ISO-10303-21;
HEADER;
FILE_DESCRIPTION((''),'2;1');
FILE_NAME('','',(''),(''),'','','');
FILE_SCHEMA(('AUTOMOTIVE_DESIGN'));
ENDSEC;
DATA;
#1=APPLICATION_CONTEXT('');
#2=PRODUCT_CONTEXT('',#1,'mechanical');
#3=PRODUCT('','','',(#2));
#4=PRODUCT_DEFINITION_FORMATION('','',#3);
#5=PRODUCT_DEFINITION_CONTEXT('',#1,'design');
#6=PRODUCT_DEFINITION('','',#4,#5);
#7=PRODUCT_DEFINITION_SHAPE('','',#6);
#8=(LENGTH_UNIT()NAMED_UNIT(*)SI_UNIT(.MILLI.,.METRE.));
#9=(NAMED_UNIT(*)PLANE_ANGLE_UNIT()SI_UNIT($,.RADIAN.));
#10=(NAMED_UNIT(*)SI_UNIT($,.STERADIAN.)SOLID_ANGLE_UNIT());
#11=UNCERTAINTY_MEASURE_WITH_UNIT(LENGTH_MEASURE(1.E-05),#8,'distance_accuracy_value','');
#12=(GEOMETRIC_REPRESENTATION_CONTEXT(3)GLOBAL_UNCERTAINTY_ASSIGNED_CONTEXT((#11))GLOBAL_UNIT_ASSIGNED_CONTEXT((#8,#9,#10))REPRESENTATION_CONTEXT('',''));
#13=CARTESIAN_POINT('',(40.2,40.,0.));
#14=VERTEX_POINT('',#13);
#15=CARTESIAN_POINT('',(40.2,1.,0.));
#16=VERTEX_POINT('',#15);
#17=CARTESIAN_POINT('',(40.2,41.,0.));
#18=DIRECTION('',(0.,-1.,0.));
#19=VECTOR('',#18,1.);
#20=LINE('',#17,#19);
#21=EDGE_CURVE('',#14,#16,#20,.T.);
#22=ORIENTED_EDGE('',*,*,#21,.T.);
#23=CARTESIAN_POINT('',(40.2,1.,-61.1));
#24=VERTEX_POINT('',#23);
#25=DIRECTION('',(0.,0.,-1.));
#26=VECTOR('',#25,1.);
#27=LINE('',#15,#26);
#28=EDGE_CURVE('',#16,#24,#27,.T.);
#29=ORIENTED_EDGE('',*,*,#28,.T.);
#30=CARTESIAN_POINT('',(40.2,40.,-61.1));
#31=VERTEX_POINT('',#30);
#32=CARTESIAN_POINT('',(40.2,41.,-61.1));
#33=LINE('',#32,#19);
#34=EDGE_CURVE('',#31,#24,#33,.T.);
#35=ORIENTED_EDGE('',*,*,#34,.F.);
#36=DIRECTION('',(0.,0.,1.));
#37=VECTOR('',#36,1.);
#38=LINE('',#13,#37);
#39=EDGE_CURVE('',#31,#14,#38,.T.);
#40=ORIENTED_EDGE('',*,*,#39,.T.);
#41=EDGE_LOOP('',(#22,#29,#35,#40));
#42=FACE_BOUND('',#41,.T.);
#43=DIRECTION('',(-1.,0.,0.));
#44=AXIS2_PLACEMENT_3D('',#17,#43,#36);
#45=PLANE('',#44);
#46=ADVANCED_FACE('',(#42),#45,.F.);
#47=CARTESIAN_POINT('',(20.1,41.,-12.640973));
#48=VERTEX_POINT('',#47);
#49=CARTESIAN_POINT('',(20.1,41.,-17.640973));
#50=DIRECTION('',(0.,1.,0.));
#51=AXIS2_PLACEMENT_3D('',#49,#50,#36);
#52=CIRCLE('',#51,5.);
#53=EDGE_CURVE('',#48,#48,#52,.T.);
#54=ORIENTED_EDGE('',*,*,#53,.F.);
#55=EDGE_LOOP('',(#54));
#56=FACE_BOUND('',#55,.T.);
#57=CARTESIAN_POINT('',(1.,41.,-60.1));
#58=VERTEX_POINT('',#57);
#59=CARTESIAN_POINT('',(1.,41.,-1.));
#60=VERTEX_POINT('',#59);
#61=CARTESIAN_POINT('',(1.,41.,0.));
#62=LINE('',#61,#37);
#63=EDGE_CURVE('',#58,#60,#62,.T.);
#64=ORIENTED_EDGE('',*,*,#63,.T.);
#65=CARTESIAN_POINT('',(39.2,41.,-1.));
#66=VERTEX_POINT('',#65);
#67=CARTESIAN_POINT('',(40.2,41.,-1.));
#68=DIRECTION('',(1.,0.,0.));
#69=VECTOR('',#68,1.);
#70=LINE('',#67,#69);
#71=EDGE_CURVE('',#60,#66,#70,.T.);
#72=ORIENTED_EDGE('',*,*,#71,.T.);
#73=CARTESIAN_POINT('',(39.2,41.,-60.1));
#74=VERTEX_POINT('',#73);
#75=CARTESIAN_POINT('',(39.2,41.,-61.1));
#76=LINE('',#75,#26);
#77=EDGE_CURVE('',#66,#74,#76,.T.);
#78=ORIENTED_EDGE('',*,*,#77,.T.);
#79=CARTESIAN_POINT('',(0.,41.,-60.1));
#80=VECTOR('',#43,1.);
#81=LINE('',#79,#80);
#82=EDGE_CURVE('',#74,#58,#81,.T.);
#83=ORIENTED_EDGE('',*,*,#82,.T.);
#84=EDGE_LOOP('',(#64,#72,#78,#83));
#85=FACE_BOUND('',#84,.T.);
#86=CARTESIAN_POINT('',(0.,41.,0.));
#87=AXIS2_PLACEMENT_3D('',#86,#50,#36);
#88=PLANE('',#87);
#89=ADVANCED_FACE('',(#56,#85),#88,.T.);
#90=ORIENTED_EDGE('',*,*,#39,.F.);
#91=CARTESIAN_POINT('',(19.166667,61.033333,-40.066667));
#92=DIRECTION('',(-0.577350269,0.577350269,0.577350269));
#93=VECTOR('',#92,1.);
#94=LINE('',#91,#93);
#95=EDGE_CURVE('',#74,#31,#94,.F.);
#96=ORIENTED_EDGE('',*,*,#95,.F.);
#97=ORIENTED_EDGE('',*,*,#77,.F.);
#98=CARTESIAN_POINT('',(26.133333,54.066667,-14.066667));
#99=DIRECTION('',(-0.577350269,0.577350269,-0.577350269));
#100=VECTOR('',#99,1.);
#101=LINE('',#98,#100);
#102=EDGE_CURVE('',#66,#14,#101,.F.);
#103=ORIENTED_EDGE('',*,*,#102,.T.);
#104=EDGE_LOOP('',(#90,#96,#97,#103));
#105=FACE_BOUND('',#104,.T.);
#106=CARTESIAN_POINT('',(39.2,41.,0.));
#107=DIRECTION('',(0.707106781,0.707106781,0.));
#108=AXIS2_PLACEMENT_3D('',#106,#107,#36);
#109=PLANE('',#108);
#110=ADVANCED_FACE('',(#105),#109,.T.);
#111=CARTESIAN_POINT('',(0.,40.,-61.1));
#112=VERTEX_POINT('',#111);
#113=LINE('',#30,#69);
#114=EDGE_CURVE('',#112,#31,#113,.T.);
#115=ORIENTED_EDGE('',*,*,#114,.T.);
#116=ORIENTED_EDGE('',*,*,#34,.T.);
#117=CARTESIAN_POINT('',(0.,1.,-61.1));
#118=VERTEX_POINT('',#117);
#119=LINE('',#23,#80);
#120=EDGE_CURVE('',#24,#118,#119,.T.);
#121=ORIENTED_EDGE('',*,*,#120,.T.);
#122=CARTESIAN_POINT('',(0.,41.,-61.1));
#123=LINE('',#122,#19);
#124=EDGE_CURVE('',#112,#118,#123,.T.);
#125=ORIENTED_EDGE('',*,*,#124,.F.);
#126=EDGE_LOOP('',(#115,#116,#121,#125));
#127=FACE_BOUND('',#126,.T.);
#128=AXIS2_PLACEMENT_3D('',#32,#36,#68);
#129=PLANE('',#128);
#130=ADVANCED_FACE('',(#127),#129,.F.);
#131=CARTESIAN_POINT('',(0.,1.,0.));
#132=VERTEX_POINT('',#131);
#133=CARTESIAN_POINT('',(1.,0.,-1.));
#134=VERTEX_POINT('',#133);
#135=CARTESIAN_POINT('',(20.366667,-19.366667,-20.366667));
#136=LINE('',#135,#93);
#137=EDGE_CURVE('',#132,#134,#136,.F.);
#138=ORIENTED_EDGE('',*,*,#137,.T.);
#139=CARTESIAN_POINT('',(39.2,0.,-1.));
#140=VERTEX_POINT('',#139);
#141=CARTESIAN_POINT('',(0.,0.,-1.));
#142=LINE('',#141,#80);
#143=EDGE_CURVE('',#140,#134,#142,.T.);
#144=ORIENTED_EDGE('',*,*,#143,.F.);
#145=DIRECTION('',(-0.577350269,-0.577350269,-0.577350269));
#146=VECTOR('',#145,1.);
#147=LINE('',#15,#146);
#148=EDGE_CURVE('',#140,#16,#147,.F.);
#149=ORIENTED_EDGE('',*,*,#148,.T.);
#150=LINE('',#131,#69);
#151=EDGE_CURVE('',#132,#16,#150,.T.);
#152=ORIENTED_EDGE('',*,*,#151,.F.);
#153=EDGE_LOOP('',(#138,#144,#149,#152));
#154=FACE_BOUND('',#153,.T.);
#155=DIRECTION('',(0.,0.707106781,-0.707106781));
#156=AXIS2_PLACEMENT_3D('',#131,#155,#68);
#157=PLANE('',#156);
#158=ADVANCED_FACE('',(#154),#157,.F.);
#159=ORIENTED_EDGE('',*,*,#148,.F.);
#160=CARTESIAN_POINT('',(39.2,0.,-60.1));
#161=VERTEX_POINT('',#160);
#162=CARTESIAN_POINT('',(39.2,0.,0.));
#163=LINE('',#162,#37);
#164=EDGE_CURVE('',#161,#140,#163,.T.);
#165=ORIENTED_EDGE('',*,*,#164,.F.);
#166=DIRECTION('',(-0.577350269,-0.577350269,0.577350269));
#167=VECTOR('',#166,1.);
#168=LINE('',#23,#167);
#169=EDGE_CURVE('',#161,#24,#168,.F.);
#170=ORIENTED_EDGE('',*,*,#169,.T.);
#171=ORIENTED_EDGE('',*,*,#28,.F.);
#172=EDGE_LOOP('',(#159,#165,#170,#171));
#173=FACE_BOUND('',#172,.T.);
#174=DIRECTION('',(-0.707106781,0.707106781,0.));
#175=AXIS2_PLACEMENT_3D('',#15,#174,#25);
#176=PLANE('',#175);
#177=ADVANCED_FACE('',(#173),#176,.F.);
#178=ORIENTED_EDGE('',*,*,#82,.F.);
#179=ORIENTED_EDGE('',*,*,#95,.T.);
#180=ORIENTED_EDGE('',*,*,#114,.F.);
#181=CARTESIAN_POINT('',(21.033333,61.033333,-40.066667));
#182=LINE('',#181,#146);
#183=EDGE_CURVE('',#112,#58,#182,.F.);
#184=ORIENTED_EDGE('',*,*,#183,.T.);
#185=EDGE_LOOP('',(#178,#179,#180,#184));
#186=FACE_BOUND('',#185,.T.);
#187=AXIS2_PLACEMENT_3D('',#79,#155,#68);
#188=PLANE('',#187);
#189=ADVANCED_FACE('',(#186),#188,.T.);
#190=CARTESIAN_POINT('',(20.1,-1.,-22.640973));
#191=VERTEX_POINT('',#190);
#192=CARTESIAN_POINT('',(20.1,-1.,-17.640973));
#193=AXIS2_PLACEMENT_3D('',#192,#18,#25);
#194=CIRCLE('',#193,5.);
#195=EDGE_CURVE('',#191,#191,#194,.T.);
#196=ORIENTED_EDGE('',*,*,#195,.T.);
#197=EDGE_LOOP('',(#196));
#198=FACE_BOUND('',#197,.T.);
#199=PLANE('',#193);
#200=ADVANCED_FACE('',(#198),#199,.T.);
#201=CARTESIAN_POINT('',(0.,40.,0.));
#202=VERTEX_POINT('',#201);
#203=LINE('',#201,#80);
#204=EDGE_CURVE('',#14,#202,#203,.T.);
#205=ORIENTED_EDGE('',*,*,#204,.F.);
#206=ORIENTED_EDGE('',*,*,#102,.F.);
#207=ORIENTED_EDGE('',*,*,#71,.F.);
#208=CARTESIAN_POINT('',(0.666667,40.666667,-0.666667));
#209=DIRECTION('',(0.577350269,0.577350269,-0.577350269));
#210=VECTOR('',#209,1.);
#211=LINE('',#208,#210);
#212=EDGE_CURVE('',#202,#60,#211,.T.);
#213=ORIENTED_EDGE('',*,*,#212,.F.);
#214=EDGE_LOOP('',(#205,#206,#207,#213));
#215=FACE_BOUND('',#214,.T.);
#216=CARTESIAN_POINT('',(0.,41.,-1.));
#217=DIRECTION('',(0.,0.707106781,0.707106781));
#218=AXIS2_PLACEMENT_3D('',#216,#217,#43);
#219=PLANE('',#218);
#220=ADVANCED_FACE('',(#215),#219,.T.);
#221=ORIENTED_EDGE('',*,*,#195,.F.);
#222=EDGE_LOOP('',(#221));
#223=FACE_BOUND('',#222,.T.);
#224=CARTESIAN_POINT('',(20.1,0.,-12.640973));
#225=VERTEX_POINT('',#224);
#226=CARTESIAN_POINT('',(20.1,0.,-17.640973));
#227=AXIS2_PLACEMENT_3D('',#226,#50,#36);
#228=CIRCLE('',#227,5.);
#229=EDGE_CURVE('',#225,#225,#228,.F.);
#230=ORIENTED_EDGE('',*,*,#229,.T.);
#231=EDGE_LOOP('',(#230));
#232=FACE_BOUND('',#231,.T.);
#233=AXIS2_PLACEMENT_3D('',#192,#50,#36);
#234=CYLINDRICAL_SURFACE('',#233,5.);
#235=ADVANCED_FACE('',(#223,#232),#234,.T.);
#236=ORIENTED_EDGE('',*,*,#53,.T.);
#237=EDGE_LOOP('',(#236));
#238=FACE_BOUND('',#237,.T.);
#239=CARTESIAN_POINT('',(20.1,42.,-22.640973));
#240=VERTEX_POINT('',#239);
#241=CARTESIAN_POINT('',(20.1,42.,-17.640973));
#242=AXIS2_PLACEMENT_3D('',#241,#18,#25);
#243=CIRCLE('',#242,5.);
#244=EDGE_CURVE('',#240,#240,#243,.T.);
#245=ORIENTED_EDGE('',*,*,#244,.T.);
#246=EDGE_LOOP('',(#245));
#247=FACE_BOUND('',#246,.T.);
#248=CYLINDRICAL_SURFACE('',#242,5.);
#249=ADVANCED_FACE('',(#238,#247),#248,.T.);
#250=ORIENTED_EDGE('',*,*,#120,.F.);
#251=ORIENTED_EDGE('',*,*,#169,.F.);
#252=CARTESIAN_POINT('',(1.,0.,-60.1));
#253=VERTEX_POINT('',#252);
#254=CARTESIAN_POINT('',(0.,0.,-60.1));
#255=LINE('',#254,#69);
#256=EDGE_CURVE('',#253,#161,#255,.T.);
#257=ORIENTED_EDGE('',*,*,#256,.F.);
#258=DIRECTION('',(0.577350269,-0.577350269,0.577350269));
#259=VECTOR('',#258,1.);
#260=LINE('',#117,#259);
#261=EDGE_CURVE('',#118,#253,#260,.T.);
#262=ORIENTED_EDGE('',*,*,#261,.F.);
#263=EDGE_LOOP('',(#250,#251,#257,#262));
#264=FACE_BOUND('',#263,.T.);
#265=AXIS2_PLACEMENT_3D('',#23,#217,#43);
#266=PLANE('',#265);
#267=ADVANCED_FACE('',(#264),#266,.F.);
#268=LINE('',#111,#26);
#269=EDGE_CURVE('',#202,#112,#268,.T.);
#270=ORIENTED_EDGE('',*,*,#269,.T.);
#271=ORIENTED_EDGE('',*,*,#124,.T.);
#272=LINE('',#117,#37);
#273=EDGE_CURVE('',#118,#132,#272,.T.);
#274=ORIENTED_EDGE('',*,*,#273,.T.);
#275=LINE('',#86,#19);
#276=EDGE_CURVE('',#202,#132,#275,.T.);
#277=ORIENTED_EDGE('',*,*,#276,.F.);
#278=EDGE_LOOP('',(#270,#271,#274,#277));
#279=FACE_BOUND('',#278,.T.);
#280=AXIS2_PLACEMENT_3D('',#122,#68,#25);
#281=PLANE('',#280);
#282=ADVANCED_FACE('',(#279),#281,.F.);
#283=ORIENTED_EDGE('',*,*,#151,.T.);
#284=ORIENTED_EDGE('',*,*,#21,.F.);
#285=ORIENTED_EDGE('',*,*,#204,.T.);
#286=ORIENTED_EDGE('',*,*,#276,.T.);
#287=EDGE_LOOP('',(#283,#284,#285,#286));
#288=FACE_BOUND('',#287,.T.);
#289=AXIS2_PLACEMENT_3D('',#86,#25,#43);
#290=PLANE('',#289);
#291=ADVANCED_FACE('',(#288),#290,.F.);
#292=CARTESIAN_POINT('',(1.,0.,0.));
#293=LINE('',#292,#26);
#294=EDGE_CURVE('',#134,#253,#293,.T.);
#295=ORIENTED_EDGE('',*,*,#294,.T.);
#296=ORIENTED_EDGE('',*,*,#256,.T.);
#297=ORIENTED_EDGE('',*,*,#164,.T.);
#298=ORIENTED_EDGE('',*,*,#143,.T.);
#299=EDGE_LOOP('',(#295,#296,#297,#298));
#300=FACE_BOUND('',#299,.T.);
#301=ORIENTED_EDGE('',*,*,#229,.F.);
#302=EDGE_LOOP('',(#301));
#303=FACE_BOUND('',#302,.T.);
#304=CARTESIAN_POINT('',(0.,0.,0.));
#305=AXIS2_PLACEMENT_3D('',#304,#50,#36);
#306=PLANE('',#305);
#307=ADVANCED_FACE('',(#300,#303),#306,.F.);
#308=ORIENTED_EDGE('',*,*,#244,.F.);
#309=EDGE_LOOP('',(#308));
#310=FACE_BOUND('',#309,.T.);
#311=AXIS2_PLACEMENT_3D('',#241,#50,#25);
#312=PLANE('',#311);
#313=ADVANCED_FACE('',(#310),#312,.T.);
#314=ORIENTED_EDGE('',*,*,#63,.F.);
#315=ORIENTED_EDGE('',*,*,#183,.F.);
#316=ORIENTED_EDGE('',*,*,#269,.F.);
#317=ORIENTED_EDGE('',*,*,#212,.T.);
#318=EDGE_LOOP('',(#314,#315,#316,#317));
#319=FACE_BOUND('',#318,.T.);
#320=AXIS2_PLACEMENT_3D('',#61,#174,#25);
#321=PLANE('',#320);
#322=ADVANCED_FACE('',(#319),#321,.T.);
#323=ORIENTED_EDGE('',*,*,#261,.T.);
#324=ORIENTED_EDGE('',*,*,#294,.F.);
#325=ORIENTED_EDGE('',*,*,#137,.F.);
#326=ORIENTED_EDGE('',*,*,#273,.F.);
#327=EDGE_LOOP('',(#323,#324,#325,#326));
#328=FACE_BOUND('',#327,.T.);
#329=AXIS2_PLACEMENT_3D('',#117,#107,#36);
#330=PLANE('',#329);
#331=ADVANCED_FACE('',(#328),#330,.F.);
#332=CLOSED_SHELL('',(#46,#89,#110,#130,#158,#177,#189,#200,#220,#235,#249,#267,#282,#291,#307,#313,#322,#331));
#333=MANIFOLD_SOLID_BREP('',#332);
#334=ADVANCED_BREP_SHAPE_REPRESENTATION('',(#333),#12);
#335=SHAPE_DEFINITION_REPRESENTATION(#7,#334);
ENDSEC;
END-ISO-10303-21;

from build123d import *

# Parameters (mm, degrees)
SKETCH1_W           = 40.2
SKETCH1_H           = 61.1
BOSS_EXTRUDE1_DEPTH = 41
CHAMFER1_SIZE       = 1
CHAMFER2_SIZE       = 1
SKETCH2_R           = 5
BOSS_EXTRUDE2_DEPTH = 1


with BuildPart() as part:
    # Sketch1 → Boss-Extrude1 (new body)
    with BuildSketch(Plane(origin=(0, 0, 0), x_dir=(1, 0, 0), z_dir=(0, 1, 0))):
        with Locations((20.1, 30.55)):
            Rectangle(SKETCH1_W, SKETCH1_H)
    extrude(amount=BOSS_EXTRUDE1_DEPTH)

    # Chamfer1
    chamfer1_edges = [part.edges().sort_by_distance(p)[0] for p in [
        (40.2, 41, -30.55),
        (20.1, 41, -61.1),
        (0, 41, -30.55),
        (20.1, 41, 0),
    ]]
    chamfer(chamfer1_edges, length=CHAMFER1_SIZE)

    # Chamfer2
    chamfer2_edges = [part.edges().sort_by_distance(p)[0] for p in [
        (20.1, 0, -61.1),
        (40.2, 0, -30.55),
        (20.1, 0, 0),
        (0, 0, -30.55),
    ]]
    chamfer(chamfer2_edges, length=CHAMFER2_SIZE)

    # Sketch2 → Boss-Extrude2 (add)
    with BuildSketch(Plane.XZ):
        with Locations(Location((20.1, -17.640972678, 0), (0, 0, 90))):
            Circle(SKETCH2_R)
    boss_extrude2 = extrude(amount=BOSS_EXTRUDE2_DEPTH)

    # Mirror1: Boss-Extrude2 across plane
    add(boss_extrude2.mirror(Plane.ZX.offset(20.5)))


solid = part.part
